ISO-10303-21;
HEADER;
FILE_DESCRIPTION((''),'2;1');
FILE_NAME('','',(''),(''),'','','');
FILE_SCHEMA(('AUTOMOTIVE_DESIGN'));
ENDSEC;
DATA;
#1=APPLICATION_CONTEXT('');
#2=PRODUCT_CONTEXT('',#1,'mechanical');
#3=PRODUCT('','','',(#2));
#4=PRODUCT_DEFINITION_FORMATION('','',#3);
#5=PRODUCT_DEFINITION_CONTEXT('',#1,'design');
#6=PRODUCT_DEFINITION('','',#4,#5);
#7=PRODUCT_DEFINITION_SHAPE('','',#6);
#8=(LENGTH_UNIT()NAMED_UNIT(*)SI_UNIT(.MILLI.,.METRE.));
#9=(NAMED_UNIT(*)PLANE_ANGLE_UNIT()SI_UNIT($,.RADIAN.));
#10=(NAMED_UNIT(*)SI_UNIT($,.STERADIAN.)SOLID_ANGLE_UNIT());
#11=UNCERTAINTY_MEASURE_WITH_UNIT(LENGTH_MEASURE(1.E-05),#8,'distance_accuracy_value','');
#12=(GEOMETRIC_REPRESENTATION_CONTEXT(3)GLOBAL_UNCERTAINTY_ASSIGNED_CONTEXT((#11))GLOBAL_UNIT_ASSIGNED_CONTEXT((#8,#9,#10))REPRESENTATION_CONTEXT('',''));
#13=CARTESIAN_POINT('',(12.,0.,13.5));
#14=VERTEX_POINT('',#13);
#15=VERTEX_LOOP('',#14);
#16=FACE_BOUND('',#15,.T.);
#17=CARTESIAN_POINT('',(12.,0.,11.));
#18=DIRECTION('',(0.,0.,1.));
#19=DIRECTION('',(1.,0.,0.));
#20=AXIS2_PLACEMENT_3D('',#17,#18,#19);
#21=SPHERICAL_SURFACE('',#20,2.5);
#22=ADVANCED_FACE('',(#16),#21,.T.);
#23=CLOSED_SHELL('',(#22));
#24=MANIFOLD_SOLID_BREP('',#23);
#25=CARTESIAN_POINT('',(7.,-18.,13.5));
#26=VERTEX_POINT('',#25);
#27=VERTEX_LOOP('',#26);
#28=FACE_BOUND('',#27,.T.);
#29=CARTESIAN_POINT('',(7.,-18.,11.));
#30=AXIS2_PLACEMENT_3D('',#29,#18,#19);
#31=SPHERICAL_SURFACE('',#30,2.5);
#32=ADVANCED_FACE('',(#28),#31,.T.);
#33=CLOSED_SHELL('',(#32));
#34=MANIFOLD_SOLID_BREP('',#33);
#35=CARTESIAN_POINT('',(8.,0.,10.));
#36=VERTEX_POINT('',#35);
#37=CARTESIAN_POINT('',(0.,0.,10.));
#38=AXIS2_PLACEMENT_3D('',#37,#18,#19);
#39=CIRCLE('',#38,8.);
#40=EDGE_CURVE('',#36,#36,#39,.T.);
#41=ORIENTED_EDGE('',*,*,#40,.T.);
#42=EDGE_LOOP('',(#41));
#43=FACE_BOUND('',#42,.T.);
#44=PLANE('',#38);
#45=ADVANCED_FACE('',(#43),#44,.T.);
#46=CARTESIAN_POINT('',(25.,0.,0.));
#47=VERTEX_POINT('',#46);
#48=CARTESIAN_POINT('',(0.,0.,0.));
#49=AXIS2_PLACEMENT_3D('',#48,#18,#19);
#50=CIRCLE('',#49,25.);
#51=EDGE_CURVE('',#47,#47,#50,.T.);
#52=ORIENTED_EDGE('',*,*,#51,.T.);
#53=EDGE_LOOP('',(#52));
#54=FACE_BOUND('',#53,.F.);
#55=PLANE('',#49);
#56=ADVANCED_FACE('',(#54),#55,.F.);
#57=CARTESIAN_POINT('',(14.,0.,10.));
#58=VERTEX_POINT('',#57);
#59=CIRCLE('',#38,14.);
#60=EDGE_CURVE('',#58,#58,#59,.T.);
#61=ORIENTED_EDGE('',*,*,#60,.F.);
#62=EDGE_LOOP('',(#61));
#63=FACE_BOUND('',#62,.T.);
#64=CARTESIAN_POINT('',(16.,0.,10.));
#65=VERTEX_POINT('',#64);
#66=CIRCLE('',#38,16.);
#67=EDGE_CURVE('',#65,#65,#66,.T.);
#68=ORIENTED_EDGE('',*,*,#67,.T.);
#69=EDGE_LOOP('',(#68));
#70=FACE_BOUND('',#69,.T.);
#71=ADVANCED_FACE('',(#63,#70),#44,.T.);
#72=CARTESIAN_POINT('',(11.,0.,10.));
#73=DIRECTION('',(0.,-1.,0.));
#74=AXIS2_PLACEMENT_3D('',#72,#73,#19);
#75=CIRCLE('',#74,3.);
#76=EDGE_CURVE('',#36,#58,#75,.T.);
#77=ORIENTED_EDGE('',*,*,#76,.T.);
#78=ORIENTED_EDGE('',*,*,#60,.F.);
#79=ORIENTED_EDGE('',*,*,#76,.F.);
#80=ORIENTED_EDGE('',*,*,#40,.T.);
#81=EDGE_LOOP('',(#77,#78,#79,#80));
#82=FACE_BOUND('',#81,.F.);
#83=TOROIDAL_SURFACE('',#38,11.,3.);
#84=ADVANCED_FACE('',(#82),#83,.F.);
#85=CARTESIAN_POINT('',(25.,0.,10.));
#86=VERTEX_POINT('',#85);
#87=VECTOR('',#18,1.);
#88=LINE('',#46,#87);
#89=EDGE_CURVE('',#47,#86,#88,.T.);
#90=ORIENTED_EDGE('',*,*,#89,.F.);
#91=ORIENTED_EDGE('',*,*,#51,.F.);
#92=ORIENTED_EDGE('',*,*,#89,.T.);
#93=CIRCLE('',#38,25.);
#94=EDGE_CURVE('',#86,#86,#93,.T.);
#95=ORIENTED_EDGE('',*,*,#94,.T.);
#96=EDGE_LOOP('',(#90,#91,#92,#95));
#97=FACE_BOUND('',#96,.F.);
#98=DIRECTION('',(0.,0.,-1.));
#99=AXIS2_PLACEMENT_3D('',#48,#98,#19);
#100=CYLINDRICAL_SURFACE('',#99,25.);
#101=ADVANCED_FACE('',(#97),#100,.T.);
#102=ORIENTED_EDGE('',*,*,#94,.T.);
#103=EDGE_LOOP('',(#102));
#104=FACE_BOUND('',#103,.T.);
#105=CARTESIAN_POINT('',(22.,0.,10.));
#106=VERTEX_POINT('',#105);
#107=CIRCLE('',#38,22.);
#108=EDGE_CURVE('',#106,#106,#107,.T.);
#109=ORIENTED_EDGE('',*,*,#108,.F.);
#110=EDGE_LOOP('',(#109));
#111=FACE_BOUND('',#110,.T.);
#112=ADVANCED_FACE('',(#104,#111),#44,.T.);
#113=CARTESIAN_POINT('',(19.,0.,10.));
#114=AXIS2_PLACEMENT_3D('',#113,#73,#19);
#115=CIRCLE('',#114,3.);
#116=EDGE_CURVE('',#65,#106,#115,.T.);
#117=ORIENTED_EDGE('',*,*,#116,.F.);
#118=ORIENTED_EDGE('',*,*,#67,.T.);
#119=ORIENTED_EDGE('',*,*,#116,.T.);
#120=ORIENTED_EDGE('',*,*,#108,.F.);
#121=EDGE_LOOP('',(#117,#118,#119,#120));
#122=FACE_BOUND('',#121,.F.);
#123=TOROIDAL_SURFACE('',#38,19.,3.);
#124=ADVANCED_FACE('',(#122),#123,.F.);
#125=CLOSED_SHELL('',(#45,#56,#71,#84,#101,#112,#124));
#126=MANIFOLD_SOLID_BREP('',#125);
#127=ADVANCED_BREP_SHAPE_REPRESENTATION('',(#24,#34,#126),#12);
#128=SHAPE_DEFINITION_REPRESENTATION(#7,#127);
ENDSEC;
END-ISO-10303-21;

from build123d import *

# Parameters (mm, degrees)
TORUS001_R     = 3
TORUS_R        = 3
CYLINDER_R     = 25
CYLINDER_DEPTH = 10


with BuildPart() as torus001:
    # Torus001 → Torus001 (revolve)
    with BuildSketch(Plane(origin=(0, 0, 10), x_dir=(1, 0, 0), z_dir=(0, -1, 0))):
        with Locations((19, 0)):
            Circle(TORUS001_R)
    revolve(axis=Axis((0, 0, 10), (0, 0, 1)))


with BuildPart() as fusion:
    # Torus → Torus (revolve)
    with BuildSketch(Plane(origin=(0, 0, 10), x_dir=(1, 0, 0), z_dir=(0, -1, 0))):
        with Locations((11, 0)):
            Circle(TORUS_R)
    revolve(axis=Axis((0, 0, 10), (0, 0, 1)))

    # Fusion: union Torus001
    add(torus001.part)


with BuildPart() as cut:
    # Cylinder → Cylinder (new body)
    with BuildSketch(Plane.XY):
        Circle(CYLINDER_R)
    extrude(amount=CYLINDER_DEPTH)

    # Cut: cut Fusion
    add(fusion.part, mode=Mode.SUBTRACT)


with BuildPart() as sphere:
    # Sphere → Sphere (revolve)
    with BuildSketch(Plane(origin=(12, 0, 11), x_dir=(1, 0, 0), z_dir=(0, -1, 0))):
        with BuildLine():
            ThreePointArc((0, -2.5), (2.5, 0), (0, 2.5))
            Line((0, 2.5), (0, -2.5))
        make_face()
    revolve(axis=Axis((12, 0, 11), (0, 0, 1)))


with BuildPart() as sphere001:
    # Sphere001 → Sphere001 (revolve)
    with BuildSketch(Plane(origin=(7, -18, 11), x_dir=(1, 0, 0), z_dir=(0, -1, 0))):
        with BuildLine():
            ThreePointArc((0, -2.5), (2.5, 0), (0, 2.5))
            Line((0, 2.5), (0, -2.5))
        make_face()
    revolve(axis=Axis((7, -18, 11), (0, 0, 1)))


solid = Compound([cut.part, sphere.part, sphere001.part])
